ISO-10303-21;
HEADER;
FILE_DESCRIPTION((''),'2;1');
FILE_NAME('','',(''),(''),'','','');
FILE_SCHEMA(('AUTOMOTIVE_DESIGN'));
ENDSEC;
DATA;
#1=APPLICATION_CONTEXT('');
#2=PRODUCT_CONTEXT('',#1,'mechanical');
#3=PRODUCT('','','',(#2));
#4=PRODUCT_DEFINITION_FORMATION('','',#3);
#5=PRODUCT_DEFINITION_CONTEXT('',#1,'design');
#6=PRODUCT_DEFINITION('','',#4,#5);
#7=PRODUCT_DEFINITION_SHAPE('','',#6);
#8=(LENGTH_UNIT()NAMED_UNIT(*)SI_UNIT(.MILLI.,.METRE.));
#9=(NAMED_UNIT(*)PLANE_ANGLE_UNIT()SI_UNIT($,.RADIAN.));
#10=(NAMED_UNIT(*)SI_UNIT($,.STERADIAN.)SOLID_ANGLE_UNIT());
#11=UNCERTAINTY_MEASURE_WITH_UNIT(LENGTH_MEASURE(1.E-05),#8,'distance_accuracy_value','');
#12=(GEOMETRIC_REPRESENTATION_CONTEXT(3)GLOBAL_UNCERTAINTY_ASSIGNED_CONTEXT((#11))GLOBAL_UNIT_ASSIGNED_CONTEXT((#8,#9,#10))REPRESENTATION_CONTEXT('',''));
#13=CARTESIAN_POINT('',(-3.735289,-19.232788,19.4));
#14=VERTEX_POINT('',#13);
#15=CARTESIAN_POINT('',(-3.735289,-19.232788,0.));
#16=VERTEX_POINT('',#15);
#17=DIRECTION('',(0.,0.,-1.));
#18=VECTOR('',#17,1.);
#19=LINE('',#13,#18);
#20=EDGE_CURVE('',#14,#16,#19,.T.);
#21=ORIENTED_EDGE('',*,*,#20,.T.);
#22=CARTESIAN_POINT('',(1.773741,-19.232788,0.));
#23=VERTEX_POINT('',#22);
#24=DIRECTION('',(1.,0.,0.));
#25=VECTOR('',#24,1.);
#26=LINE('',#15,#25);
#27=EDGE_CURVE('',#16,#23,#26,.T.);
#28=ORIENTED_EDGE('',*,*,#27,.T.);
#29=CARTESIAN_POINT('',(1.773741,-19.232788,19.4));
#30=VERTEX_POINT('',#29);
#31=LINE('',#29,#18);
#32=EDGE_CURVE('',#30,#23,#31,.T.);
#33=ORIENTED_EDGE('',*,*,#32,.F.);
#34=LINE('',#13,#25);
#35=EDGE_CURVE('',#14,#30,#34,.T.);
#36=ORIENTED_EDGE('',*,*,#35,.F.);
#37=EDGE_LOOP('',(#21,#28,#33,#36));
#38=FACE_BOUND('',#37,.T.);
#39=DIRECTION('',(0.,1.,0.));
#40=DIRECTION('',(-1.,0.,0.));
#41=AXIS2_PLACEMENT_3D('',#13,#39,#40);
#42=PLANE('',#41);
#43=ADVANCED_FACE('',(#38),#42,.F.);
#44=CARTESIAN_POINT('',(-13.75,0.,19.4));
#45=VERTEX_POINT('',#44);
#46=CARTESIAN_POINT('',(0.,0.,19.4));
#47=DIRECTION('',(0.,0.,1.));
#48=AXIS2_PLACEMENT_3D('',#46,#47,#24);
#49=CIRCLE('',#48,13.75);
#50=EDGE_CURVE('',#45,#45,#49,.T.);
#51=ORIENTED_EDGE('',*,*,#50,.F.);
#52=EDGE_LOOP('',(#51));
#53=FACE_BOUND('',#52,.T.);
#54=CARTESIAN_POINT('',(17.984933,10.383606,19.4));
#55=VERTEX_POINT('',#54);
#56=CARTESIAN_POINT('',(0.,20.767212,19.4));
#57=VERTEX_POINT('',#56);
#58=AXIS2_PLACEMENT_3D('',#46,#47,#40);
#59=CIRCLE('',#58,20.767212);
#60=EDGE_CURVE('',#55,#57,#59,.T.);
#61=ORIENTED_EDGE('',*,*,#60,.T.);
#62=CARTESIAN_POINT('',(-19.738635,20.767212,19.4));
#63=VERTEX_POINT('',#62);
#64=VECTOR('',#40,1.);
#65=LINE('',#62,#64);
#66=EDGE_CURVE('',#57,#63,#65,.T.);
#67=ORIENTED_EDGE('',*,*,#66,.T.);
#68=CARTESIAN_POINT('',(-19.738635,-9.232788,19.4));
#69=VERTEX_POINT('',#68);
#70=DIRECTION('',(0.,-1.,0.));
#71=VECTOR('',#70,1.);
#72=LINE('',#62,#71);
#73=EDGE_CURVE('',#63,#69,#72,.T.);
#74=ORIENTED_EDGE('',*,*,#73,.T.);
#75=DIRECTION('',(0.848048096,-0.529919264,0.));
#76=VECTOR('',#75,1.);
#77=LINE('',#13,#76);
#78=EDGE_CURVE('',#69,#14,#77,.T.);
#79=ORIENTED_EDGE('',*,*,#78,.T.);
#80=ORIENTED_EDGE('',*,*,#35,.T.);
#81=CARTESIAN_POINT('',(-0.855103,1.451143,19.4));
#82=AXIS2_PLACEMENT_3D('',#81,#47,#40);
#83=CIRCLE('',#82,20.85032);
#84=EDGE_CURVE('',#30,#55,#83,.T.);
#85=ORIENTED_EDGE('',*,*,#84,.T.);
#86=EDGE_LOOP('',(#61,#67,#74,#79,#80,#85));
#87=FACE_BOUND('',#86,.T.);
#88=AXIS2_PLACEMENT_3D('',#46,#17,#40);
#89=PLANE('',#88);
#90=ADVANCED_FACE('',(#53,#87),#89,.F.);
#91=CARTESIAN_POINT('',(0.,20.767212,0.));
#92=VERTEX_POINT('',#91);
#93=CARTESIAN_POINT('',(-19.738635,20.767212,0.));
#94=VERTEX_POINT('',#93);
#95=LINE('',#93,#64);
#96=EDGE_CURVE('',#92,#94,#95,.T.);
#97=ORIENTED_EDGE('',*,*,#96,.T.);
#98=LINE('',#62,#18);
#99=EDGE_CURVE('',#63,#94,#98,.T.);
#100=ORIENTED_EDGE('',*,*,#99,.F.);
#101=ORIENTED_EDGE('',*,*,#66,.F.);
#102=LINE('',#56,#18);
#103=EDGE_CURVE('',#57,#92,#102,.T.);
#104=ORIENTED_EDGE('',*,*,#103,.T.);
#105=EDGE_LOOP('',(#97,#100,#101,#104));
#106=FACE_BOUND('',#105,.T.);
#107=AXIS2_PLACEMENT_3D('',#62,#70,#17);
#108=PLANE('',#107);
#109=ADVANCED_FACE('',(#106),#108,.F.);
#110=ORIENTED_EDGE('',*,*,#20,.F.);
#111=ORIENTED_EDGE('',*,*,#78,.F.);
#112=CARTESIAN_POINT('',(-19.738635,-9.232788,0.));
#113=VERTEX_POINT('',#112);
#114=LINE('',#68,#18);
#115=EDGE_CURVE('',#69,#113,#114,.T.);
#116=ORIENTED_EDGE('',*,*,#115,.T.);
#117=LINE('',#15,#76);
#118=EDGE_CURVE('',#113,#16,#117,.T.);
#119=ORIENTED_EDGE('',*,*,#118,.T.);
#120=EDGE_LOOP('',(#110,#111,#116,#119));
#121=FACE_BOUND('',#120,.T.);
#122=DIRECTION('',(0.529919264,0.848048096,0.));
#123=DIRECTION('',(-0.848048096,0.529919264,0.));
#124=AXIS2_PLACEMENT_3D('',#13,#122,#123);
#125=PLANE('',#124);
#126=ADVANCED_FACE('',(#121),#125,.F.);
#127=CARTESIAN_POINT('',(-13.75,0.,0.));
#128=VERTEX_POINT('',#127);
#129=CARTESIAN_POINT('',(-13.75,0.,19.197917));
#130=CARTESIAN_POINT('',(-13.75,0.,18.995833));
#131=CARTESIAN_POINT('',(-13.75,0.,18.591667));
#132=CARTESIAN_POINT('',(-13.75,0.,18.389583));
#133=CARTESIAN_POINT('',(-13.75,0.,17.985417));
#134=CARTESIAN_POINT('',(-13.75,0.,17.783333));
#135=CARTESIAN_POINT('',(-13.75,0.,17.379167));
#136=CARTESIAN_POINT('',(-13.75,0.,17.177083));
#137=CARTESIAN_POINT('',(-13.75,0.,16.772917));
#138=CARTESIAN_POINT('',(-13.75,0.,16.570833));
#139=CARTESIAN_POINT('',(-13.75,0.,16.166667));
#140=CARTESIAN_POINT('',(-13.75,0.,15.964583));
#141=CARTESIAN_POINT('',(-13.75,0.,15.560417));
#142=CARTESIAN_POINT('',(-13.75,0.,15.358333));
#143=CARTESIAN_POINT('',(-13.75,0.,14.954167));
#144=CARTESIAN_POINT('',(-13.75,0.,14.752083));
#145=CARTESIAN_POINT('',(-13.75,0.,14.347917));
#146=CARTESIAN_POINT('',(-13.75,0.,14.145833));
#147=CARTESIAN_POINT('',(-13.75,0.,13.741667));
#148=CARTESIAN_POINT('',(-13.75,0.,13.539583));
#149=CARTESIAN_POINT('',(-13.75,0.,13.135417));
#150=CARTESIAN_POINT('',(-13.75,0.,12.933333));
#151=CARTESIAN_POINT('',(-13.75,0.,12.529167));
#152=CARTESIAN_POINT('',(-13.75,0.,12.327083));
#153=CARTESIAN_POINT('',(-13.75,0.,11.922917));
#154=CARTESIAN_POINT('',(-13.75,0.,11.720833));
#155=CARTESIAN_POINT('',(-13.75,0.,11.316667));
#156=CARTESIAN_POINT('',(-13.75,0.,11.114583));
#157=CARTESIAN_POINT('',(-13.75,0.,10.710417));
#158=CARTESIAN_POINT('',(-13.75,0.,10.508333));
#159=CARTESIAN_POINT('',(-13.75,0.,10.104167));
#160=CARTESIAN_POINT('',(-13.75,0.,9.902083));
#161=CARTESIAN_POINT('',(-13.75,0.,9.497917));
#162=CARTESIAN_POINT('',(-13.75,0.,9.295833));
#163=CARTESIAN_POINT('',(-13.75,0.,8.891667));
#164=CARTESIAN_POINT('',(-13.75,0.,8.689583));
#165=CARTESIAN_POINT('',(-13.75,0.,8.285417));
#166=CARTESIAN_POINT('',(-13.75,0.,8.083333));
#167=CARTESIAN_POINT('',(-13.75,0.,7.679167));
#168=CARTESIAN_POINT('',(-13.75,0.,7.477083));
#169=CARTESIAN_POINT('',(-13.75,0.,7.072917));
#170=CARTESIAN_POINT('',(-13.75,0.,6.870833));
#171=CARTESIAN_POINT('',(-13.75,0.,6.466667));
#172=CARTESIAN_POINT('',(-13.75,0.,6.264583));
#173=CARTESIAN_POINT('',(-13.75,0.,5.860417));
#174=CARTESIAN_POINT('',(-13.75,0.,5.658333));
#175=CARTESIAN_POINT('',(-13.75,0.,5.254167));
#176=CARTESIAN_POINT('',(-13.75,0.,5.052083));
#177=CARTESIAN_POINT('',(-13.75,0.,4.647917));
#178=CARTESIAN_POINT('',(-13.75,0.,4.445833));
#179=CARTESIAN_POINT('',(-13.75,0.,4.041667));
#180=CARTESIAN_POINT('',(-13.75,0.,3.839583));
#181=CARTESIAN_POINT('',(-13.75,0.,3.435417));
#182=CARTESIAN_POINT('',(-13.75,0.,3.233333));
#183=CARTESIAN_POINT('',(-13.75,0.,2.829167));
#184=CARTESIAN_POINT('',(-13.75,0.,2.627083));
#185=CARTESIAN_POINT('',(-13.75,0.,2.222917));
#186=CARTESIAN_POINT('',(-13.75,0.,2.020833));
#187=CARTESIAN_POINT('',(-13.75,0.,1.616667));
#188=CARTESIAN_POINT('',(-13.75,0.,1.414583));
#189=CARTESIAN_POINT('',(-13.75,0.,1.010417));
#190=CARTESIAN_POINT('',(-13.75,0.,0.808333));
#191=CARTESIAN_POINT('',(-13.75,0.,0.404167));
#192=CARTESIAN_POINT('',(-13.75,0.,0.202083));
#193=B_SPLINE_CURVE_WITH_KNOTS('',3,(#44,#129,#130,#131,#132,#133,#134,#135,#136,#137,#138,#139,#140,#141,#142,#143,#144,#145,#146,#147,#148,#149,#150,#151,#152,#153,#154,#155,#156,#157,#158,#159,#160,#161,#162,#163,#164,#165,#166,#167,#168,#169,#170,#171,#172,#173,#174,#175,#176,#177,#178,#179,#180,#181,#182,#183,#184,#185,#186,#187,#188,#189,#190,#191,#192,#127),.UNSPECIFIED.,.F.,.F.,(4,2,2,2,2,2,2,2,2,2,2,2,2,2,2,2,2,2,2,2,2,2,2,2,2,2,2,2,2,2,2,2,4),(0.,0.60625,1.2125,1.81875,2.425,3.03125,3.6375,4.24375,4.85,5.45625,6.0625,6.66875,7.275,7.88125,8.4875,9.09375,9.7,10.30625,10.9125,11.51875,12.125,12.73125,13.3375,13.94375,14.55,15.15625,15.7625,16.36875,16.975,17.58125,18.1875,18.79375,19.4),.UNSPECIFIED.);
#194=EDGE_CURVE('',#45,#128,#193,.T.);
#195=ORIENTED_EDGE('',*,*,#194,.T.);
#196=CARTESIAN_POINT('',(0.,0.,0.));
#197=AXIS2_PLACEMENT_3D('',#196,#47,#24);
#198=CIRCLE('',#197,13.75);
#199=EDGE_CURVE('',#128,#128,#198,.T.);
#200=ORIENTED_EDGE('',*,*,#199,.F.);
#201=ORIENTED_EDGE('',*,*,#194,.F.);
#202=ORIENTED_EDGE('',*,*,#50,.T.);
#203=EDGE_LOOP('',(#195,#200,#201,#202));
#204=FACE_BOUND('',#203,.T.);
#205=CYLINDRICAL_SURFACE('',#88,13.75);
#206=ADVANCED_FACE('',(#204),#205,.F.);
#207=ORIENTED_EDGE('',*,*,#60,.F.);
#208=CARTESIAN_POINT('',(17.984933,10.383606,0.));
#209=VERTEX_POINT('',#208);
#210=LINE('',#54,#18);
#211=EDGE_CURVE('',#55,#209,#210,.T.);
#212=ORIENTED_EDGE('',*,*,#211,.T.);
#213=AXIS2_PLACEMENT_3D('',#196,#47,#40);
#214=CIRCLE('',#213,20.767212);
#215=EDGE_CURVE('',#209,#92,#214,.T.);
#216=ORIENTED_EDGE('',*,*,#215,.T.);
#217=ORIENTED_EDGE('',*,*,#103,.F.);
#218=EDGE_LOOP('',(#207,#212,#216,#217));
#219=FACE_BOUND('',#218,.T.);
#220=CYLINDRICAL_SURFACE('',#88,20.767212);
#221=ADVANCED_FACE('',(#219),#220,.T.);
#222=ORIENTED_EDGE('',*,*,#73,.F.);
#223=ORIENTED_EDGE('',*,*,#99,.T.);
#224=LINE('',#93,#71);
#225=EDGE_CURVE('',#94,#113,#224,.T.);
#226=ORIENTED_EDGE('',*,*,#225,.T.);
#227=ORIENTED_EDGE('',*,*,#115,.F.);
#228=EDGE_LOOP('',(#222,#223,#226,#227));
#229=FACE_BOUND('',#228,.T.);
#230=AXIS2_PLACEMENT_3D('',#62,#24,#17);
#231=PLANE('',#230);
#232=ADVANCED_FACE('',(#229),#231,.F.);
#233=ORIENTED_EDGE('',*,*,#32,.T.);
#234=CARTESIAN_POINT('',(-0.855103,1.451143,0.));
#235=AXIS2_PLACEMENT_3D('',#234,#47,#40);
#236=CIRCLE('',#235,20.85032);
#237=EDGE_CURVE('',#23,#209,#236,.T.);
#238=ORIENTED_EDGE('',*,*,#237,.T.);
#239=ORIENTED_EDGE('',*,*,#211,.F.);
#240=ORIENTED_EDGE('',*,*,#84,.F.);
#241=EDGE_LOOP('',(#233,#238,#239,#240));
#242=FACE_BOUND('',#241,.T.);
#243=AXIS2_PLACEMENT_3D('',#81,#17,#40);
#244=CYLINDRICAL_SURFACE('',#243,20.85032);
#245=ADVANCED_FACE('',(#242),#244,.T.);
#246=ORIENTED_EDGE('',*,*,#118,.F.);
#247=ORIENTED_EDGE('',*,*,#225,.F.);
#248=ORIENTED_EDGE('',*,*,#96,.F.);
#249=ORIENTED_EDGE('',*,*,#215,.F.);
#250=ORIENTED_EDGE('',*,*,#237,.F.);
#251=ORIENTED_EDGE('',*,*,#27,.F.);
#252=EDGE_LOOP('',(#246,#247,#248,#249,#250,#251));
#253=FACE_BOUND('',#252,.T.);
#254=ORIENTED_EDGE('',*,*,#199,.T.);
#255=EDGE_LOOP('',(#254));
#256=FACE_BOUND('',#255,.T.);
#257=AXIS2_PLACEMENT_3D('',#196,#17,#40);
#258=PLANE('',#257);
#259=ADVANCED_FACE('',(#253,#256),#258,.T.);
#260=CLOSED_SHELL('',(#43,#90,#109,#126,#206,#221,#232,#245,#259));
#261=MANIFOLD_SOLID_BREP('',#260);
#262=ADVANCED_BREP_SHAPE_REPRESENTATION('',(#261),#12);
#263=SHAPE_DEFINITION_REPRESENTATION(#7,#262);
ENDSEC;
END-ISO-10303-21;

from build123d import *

# Parameters (mm, degrees)
SKETCH2_R           = 13.75
BOSS_EXTRUDE1_DEPTH = 19.4


with BuildPart() as part:
    # Sketch2 → Boss-Extrude1 (new body)
    with BuildSketch(Plane.XY):
        with BuildLine():
            Line((-19.738634508, 20.767211648), (-19.738634508, -9.232788352))
            Line((-19.738634508, -9.232788352), (-3.735289218, -19.232788352))
            Line((-3.735289218, -19.232788352), (1.773741407, -19.232788352))
            ThreePointArc((1.773741407, -19.232788352), (17.434536233, -8.560097374), (17.984932853, 10.383605824))
            ThreePointArc((17.984932853, 10.383605824), (10.383605824, 17.984932853), (0, 20.767211648))
            Line((0, 20.767211648), (-19.738634508, 20.767211648))
        make_face()
        with Locations(Location((0, 0, 0), (0, 0, 180))):
            Circle(SKETCH2_R, mode=Mode.SUBTRACT)
    extrude(amount=BOSS_EXTRUDE1_DEPTH)


solid = part.part
